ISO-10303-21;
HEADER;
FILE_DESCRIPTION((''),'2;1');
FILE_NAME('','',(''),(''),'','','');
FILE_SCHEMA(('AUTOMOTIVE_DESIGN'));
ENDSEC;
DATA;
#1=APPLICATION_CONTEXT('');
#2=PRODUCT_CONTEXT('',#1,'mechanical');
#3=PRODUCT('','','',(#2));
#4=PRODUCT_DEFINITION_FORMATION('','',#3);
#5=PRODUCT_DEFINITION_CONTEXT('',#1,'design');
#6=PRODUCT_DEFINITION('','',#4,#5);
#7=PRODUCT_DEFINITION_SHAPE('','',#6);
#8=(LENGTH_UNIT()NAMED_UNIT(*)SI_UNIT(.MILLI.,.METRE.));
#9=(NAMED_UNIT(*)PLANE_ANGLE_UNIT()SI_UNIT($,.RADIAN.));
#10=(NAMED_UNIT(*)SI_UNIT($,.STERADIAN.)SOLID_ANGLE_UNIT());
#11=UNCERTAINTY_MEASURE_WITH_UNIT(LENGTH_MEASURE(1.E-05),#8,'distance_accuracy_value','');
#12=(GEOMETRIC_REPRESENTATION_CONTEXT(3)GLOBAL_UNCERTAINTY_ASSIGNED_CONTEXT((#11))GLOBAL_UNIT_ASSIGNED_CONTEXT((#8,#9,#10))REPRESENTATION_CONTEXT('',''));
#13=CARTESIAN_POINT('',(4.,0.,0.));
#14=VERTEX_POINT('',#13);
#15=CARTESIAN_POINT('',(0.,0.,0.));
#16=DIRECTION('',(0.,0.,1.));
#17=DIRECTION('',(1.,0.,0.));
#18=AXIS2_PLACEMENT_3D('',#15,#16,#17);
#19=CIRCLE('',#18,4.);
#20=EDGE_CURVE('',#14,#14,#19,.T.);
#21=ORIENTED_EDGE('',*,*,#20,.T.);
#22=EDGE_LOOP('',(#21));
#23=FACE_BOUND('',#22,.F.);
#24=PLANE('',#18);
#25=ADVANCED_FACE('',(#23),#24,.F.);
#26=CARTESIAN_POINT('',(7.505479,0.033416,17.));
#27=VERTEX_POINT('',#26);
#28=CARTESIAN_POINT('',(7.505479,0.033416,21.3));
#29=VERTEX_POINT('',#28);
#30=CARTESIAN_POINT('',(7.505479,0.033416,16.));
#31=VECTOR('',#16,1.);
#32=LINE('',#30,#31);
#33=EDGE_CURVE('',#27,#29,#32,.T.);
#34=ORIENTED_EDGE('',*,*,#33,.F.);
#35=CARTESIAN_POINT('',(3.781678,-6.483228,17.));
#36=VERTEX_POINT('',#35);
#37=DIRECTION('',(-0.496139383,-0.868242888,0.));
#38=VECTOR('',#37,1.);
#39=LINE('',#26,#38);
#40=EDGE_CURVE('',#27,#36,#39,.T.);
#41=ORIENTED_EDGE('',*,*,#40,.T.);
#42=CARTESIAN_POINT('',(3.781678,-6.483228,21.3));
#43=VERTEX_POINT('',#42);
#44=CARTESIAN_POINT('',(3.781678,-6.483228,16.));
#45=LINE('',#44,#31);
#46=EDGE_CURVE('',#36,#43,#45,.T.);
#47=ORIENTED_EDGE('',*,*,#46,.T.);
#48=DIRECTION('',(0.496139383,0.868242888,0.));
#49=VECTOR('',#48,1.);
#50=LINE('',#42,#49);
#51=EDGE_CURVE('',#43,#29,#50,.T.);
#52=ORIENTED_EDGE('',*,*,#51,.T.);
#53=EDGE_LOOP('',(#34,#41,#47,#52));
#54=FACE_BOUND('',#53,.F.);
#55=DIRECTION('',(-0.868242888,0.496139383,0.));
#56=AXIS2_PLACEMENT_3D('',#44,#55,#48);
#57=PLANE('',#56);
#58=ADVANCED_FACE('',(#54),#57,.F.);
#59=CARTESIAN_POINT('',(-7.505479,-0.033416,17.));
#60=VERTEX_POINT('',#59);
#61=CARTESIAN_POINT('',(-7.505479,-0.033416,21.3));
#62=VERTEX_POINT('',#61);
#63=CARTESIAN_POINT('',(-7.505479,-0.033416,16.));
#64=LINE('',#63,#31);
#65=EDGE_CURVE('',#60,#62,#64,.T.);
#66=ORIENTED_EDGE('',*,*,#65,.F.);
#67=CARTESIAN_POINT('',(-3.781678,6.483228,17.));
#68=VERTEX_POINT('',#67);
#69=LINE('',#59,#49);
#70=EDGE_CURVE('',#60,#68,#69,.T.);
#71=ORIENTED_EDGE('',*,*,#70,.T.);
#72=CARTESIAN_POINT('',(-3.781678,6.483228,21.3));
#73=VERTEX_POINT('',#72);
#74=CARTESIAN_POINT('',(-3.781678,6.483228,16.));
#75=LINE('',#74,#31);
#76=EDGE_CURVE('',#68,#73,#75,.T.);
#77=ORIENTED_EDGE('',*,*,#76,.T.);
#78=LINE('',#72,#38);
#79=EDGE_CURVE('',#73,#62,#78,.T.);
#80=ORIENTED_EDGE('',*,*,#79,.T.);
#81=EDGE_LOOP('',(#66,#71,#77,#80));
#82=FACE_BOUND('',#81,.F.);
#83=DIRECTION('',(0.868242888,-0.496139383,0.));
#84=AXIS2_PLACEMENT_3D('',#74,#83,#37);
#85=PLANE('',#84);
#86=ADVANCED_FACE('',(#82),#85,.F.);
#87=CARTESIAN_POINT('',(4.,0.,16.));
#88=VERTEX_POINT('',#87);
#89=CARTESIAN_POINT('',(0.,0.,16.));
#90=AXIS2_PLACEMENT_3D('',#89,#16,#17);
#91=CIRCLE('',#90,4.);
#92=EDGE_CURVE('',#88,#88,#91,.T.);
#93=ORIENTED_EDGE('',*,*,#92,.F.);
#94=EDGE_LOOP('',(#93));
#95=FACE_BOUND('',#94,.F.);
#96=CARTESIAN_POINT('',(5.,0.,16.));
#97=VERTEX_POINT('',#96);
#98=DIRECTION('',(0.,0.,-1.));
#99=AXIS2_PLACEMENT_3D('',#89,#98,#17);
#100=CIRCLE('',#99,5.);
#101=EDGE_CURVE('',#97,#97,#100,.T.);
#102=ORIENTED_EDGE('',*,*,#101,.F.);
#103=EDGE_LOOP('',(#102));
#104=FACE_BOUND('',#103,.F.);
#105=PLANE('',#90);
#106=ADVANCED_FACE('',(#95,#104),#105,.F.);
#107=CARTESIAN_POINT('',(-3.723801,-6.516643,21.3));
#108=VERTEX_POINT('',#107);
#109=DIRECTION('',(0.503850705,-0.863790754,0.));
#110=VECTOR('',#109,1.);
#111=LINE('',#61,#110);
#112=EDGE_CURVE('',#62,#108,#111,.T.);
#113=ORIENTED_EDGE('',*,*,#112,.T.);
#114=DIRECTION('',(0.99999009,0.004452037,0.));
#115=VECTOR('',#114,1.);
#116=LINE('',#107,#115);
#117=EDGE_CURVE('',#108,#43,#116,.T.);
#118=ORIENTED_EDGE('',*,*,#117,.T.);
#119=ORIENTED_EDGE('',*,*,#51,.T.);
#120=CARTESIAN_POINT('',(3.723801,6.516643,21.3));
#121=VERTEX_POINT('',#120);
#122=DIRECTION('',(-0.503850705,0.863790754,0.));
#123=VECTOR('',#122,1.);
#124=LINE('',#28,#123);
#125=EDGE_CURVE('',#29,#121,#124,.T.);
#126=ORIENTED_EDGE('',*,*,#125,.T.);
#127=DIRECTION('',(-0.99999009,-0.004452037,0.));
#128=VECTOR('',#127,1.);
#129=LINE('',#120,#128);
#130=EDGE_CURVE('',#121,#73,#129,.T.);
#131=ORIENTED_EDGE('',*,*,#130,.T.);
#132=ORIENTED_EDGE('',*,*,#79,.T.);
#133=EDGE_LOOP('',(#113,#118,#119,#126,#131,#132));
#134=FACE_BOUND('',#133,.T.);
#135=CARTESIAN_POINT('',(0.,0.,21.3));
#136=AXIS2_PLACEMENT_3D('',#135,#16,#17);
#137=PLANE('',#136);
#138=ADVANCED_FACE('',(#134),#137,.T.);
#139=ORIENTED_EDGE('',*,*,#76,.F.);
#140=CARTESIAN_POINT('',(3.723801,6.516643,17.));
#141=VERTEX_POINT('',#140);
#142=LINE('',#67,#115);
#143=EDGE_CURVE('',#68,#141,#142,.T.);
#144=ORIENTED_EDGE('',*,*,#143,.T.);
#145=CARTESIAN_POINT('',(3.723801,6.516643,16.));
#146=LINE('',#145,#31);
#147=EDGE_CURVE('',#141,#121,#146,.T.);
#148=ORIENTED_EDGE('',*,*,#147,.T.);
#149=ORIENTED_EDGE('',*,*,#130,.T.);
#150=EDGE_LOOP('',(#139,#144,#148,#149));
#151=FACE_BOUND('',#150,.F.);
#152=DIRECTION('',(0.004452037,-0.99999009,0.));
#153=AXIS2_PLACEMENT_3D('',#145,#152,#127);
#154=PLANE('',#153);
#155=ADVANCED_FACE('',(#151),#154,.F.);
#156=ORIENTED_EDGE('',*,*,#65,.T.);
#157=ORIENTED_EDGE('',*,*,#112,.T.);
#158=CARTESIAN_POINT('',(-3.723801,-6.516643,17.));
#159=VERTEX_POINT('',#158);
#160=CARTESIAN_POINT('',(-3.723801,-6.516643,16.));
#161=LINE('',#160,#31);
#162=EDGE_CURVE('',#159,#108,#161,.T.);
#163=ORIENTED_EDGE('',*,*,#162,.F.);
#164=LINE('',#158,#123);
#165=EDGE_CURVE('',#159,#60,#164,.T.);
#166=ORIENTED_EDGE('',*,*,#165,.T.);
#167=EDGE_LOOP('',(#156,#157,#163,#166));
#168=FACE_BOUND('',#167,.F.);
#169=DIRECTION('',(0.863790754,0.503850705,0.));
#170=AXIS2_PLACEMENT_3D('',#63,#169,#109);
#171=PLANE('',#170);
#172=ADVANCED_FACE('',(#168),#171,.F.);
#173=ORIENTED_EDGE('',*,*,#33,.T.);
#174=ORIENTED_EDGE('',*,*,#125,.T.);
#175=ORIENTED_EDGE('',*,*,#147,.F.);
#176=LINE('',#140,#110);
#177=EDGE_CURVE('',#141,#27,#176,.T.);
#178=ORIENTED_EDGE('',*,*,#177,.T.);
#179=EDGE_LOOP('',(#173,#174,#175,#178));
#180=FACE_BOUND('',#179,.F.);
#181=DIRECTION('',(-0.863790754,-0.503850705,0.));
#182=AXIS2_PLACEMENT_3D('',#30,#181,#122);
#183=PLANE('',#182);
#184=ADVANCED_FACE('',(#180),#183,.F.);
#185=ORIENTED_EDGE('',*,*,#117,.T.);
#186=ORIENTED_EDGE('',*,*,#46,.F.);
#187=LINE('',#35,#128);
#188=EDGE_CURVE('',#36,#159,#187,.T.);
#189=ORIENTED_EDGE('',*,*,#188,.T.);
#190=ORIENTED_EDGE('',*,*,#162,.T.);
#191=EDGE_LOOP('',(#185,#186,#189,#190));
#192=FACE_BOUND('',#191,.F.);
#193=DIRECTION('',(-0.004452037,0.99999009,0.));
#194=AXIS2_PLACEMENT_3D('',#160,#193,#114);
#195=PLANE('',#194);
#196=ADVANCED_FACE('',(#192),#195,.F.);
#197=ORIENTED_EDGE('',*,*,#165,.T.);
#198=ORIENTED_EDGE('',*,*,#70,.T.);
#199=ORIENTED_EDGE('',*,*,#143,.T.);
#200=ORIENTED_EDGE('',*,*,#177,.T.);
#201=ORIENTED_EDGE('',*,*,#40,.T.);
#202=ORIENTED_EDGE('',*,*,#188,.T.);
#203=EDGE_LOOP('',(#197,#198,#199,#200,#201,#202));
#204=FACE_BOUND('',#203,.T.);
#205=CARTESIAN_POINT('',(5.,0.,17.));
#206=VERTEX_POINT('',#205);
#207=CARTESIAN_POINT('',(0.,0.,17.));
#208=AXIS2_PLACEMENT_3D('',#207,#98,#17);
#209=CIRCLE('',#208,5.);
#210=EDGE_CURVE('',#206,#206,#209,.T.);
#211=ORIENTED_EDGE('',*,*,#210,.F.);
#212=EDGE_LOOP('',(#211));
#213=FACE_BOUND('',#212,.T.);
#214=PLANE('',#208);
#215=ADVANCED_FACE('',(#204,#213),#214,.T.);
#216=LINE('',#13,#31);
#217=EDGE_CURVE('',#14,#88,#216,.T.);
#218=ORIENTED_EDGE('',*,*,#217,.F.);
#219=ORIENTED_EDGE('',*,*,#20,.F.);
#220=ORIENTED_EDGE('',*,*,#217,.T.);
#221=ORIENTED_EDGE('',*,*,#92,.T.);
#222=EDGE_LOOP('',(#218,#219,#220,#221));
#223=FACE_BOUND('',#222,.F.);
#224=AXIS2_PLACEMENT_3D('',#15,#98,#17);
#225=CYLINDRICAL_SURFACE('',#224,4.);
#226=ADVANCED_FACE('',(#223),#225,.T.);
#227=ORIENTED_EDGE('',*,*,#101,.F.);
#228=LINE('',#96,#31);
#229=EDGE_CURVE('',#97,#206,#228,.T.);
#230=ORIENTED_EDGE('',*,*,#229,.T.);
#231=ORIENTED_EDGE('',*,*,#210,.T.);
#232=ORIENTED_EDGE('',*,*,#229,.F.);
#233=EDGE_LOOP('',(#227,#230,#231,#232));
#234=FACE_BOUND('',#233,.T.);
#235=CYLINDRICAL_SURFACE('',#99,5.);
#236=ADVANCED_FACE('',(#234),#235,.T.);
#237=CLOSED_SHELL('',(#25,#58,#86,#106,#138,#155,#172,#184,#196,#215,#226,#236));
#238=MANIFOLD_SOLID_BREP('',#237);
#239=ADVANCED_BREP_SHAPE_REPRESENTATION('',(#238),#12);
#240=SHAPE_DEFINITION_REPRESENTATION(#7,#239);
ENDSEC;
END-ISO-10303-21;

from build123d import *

# Parameters (mm, degrees)
F0_R     = 4
F1_DEPTH = 16
F3_DEPTH = 5.3
F4_R     = 5
F5_DEPTH = 1


with BuildPart() as f1:
    # F0 (on Top) → F1 (new body)
    with BuildSketch(Plane.XY):
        Circle(F0_R)
    extrude(amount=F1_DEPTH)

    # F2 (on face) → F3 (join)
    with BuildSketch(Plane.XY.offset(16)):
        Polygon((3.781678, -6.483228), (7.505479, 0.033416), (3.723801, 6.516643), (-3.781678, 6.483228), (-7.505479, -0.033416), (-3.723801, -6.516643), align=None)
    extrude(amount=F3_DEPTH)

    # F4 (on face) → F5 (cut)
    with BuildSketch(Plane(origin=(0, 0, 16), x_dir=(1, 0, 0), z_dir=(0, 0, -1))):
        Polygon((3.723801, -6.516643), (7.505479, -0.033416), (3.781678, 6.483228), (-3.723801, 6.516643), (-7.505479, 0.033416), (-3.781678, -6.483228), align=None)
        Circle(F4_R, mode=Mode.SUBTRACT)
    extrude(amount=-F5_DEPTH, mode=Mode.SUBTRACT)


solid = f1.part
